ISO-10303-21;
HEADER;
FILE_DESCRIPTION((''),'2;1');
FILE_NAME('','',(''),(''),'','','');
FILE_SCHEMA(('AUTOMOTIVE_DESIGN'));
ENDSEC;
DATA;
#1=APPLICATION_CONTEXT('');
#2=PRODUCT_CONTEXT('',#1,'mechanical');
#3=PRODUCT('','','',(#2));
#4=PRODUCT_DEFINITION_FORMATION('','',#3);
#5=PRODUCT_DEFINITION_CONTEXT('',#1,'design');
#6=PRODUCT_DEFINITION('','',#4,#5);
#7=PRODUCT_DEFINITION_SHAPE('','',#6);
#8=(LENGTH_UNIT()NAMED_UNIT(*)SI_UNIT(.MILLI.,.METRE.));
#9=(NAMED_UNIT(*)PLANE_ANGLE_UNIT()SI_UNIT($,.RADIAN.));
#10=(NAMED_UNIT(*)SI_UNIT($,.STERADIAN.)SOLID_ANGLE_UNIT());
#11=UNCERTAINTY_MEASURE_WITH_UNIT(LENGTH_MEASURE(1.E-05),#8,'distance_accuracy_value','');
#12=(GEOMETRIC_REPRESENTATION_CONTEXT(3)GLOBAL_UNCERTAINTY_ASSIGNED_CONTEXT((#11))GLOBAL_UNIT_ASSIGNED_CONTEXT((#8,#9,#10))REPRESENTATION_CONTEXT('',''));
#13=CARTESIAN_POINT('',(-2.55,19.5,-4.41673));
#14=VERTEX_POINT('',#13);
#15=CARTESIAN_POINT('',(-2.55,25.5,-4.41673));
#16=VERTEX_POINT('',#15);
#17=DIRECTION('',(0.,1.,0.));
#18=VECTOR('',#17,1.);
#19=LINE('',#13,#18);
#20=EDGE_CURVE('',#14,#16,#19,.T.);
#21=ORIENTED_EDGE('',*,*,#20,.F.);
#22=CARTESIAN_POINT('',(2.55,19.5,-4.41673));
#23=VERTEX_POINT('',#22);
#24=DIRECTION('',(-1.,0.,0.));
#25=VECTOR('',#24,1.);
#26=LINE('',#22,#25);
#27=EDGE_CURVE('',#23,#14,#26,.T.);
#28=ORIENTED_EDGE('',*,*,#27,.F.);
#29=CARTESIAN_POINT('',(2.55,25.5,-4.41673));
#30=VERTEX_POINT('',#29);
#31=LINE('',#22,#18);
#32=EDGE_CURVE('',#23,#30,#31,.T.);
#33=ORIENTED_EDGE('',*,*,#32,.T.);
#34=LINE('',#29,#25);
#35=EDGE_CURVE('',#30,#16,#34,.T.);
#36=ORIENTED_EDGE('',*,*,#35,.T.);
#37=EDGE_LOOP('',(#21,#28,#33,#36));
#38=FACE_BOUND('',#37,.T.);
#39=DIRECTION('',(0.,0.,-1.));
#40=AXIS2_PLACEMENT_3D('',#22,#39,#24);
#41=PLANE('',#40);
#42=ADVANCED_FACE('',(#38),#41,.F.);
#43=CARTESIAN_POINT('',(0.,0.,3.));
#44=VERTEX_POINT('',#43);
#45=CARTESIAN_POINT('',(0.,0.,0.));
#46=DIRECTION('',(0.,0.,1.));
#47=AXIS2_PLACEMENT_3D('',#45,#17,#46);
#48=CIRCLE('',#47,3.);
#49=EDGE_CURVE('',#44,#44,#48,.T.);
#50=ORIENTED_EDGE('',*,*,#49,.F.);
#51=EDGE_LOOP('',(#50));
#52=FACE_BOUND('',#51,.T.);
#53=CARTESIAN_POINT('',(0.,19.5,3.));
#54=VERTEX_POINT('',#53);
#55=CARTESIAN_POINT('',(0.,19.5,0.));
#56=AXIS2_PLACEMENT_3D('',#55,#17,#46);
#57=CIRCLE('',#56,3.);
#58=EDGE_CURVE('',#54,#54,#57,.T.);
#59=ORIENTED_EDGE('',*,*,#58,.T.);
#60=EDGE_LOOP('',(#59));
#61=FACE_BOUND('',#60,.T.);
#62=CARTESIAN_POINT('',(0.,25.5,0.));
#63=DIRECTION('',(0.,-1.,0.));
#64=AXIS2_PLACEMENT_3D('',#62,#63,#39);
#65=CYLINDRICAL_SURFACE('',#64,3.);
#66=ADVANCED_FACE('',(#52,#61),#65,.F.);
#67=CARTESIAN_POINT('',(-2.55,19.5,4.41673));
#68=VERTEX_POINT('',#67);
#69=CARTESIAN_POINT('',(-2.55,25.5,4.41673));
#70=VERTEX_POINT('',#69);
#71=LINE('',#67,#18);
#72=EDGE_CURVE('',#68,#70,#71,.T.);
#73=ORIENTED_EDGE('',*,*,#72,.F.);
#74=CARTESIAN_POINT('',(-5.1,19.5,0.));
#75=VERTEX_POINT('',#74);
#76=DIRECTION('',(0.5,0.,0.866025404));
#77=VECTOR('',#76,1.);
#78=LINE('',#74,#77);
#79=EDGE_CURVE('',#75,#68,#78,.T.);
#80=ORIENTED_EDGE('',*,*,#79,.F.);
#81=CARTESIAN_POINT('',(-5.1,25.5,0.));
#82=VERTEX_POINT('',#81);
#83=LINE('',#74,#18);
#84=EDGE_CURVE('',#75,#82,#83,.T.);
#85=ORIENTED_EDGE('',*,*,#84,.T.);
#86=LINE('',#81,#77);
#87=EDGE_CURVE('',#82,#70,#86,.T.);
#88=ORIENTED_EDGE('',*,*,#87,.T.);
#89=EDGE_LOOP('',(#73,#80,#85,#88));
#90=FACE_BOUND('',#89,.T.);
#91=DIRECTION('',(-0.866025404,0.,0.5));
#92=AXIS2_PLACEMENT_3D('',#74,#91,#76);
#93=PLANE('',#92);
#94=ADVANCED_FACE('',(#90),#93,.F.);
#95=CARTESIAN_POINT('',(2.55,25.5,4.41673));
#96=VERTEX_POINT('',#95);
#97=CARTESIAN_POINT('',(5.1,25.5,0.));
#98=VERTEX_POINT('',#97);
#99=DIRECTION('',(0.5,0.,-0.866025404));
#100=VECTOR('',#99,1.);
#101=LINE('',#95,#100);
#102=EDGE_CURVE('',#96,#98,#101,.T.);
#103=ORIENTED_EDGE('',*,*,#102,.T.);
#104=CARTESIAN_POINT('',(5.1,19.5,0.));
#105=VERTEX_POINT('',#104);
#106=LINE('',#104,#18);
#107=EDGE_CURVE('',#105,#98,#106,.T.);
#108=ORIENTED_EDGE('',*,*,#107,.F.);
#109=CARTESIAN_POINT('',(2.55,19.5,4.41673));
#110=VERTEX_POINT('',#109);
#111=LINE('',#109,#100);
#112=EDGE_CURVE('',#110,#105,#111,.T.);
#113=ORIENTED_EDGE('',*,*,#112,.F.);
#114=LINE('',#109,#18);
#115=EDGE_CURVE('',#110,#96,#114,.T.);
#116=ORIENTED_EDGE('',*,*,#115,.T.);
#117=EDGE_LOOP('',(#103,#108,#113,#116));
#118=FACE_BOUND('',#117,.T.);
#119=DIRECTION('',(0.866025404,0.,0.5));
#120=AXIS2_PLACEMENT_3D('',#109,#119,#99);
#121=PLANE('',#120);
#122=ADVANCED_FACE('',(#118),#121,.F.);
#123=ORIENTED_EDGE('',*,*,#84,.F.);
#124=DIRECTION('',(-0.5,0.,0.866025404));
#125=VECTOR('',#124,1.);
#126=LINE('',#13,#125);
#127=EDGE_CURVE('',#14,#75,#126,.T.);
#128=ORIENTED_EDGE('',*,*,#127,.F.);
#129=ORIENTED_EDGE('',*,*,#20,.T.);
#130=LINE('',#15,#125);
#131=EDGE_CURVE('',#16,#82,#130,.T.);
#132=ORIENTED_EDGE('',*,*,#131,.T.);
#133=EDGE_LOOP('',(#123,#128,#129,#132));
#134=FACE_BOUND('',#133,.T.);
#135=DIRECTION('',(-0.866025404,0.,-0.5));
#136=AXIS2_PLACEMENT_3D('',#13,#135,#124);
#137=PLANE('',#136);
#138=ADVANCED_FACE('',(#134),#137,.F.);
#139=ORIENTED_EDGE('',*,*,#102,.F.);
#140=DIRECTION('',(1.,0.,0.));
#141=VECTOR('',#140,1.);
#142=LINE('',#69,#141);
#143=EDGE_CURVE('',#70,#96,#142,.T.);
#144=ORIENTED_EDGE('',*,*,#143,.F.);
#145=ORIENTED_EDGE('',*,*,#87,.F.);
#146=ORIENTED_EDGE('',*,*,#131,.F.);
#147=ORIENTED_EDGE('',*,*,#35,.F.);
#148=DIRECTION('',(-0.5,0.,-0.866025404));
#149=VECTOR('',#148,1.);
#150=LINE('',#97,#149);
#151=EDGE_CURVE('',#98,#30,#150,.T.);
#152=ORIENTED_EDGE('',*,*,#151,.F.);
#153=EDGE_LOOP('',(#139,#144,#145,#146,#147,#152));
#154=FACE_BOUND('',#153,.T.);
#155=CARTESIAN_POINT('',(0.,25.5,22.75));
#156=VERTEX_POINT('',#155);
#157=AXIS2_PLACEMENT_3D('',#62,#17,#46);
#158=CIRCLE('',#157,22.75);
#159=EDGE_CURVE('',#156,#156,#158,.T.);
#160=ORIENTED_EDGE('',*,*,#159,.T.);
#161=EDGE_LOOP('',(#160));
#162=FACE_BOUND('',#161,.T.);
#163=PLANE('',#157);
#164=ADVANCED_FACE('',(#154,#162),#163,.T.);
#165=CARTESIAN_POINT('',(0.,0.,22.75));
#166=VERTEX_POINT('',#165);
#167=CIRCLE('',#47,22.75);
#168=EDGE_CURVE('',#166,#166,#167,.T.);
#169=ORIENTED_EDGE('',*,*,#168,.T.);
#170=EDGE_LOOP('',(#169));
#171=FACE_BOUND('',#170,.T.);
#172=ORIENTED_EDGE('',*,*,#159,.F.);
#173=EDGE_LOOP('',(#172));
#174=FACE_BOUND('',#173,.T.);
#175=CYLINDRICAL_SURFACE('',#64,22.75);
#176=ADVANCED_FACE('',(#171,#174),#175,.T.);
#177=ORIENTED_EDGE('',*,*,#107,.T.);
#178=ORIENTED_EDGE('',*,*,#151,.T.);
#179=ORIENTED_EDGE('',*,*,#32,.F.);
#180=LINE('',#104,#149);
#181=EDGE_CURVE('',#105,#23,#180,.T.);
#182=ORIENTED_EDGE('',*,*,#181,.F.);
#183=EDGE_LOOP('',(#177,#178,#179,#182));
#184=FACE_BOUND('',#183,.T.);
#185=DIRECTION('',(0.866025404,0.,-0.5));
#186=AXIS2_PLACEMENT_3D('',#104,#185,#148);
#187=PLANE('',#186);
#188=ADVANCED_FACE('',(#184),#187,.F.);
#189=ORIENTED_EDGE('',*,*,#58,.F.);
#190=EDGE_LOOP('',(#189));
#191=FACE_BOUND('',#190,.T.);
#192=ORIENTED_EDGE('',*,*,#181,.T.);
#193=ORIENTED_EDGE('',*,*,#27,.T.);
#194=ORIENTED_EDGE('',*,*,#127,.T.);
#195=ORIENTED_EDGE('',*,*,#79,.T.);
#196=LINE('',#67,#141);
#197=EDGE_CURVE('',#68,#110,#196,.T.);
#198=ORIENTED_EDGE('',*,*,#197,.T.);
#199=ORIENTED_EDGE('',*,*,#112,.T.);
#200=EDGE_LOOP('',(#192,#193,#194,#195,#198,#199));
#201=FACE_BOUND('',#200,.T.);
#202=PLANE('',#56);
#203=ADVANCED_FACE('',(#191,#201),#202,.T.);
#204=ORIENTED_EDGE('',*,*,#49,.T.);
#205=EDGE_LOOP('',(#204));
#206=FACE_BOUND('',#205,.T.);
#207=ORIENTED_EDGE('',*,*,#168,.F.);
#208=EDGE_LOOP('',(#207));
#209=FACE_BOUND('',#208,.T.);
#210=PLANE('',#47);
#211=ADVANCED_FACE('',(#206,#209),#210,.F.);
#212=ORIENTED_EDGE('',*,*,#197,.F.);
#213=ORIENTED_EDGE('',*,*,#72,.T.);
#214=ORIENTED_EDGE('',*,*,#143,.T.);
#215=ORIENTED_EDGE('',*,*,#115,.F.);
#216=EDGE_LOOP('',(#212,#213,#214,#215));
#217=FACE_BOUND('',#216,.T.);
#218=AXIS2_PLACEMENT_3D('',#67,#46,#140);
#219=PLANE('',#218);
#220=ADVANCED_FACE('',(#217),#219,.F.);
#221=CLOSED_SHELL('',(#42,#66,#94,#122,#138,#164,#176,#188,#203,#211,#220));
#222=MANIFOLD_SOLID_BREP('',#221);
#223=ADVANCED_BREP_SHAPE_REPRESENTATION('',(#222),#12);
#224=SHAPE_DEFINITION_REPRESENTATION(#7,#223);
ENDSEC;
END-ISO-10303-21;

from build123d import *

# Parameters (mm, degrees)
SKETCH1_R           = 22.75
SKETCH1_R_2         = 3
BOSS_EXTRUDE1_DEPTH = 25.5
CUT_EXTRUDE1_DEPTH  = 6


with BuildPart() as part:
    # Sketch1 → Boss-Extrude1 (new body)
    with BuildSketch(Plane(origin=(0, 0, 0), x_dir=(1, 0, 0), z_dir=(0, 1, 0))):
        with Locations(Location((0, 0, 0), (0, 0, 270))):
            Circle(SKETCH1_R)
        with Locations(Location((0, 0, 0), (0, 0, 270))):
            Circle(SKETCH1_R_2, mode=Mode.SUBTRACT)
    extrude(amount=BOSS_EXTRUDE1_DEPTH)

    # Sketch2 → Cut-Extrude1 (cut)
    with BuildSketch(Plane(origin=(0, 25.5, 0), x_dir=(1, 0, 0), z_dir=(0, 1, 0))):
        Polygon((5.1, 0), (2.55, 4.416729559), (-2.55, 4.416729559), (-5.1, 0), (-2.55, -4.416729559), (2.55, -4.416729559), align=None)
    extrude(amount=-CUT_EXTRUDE1_DEPTH, mode=Mode.SUBTRACT)


solid = part.part
